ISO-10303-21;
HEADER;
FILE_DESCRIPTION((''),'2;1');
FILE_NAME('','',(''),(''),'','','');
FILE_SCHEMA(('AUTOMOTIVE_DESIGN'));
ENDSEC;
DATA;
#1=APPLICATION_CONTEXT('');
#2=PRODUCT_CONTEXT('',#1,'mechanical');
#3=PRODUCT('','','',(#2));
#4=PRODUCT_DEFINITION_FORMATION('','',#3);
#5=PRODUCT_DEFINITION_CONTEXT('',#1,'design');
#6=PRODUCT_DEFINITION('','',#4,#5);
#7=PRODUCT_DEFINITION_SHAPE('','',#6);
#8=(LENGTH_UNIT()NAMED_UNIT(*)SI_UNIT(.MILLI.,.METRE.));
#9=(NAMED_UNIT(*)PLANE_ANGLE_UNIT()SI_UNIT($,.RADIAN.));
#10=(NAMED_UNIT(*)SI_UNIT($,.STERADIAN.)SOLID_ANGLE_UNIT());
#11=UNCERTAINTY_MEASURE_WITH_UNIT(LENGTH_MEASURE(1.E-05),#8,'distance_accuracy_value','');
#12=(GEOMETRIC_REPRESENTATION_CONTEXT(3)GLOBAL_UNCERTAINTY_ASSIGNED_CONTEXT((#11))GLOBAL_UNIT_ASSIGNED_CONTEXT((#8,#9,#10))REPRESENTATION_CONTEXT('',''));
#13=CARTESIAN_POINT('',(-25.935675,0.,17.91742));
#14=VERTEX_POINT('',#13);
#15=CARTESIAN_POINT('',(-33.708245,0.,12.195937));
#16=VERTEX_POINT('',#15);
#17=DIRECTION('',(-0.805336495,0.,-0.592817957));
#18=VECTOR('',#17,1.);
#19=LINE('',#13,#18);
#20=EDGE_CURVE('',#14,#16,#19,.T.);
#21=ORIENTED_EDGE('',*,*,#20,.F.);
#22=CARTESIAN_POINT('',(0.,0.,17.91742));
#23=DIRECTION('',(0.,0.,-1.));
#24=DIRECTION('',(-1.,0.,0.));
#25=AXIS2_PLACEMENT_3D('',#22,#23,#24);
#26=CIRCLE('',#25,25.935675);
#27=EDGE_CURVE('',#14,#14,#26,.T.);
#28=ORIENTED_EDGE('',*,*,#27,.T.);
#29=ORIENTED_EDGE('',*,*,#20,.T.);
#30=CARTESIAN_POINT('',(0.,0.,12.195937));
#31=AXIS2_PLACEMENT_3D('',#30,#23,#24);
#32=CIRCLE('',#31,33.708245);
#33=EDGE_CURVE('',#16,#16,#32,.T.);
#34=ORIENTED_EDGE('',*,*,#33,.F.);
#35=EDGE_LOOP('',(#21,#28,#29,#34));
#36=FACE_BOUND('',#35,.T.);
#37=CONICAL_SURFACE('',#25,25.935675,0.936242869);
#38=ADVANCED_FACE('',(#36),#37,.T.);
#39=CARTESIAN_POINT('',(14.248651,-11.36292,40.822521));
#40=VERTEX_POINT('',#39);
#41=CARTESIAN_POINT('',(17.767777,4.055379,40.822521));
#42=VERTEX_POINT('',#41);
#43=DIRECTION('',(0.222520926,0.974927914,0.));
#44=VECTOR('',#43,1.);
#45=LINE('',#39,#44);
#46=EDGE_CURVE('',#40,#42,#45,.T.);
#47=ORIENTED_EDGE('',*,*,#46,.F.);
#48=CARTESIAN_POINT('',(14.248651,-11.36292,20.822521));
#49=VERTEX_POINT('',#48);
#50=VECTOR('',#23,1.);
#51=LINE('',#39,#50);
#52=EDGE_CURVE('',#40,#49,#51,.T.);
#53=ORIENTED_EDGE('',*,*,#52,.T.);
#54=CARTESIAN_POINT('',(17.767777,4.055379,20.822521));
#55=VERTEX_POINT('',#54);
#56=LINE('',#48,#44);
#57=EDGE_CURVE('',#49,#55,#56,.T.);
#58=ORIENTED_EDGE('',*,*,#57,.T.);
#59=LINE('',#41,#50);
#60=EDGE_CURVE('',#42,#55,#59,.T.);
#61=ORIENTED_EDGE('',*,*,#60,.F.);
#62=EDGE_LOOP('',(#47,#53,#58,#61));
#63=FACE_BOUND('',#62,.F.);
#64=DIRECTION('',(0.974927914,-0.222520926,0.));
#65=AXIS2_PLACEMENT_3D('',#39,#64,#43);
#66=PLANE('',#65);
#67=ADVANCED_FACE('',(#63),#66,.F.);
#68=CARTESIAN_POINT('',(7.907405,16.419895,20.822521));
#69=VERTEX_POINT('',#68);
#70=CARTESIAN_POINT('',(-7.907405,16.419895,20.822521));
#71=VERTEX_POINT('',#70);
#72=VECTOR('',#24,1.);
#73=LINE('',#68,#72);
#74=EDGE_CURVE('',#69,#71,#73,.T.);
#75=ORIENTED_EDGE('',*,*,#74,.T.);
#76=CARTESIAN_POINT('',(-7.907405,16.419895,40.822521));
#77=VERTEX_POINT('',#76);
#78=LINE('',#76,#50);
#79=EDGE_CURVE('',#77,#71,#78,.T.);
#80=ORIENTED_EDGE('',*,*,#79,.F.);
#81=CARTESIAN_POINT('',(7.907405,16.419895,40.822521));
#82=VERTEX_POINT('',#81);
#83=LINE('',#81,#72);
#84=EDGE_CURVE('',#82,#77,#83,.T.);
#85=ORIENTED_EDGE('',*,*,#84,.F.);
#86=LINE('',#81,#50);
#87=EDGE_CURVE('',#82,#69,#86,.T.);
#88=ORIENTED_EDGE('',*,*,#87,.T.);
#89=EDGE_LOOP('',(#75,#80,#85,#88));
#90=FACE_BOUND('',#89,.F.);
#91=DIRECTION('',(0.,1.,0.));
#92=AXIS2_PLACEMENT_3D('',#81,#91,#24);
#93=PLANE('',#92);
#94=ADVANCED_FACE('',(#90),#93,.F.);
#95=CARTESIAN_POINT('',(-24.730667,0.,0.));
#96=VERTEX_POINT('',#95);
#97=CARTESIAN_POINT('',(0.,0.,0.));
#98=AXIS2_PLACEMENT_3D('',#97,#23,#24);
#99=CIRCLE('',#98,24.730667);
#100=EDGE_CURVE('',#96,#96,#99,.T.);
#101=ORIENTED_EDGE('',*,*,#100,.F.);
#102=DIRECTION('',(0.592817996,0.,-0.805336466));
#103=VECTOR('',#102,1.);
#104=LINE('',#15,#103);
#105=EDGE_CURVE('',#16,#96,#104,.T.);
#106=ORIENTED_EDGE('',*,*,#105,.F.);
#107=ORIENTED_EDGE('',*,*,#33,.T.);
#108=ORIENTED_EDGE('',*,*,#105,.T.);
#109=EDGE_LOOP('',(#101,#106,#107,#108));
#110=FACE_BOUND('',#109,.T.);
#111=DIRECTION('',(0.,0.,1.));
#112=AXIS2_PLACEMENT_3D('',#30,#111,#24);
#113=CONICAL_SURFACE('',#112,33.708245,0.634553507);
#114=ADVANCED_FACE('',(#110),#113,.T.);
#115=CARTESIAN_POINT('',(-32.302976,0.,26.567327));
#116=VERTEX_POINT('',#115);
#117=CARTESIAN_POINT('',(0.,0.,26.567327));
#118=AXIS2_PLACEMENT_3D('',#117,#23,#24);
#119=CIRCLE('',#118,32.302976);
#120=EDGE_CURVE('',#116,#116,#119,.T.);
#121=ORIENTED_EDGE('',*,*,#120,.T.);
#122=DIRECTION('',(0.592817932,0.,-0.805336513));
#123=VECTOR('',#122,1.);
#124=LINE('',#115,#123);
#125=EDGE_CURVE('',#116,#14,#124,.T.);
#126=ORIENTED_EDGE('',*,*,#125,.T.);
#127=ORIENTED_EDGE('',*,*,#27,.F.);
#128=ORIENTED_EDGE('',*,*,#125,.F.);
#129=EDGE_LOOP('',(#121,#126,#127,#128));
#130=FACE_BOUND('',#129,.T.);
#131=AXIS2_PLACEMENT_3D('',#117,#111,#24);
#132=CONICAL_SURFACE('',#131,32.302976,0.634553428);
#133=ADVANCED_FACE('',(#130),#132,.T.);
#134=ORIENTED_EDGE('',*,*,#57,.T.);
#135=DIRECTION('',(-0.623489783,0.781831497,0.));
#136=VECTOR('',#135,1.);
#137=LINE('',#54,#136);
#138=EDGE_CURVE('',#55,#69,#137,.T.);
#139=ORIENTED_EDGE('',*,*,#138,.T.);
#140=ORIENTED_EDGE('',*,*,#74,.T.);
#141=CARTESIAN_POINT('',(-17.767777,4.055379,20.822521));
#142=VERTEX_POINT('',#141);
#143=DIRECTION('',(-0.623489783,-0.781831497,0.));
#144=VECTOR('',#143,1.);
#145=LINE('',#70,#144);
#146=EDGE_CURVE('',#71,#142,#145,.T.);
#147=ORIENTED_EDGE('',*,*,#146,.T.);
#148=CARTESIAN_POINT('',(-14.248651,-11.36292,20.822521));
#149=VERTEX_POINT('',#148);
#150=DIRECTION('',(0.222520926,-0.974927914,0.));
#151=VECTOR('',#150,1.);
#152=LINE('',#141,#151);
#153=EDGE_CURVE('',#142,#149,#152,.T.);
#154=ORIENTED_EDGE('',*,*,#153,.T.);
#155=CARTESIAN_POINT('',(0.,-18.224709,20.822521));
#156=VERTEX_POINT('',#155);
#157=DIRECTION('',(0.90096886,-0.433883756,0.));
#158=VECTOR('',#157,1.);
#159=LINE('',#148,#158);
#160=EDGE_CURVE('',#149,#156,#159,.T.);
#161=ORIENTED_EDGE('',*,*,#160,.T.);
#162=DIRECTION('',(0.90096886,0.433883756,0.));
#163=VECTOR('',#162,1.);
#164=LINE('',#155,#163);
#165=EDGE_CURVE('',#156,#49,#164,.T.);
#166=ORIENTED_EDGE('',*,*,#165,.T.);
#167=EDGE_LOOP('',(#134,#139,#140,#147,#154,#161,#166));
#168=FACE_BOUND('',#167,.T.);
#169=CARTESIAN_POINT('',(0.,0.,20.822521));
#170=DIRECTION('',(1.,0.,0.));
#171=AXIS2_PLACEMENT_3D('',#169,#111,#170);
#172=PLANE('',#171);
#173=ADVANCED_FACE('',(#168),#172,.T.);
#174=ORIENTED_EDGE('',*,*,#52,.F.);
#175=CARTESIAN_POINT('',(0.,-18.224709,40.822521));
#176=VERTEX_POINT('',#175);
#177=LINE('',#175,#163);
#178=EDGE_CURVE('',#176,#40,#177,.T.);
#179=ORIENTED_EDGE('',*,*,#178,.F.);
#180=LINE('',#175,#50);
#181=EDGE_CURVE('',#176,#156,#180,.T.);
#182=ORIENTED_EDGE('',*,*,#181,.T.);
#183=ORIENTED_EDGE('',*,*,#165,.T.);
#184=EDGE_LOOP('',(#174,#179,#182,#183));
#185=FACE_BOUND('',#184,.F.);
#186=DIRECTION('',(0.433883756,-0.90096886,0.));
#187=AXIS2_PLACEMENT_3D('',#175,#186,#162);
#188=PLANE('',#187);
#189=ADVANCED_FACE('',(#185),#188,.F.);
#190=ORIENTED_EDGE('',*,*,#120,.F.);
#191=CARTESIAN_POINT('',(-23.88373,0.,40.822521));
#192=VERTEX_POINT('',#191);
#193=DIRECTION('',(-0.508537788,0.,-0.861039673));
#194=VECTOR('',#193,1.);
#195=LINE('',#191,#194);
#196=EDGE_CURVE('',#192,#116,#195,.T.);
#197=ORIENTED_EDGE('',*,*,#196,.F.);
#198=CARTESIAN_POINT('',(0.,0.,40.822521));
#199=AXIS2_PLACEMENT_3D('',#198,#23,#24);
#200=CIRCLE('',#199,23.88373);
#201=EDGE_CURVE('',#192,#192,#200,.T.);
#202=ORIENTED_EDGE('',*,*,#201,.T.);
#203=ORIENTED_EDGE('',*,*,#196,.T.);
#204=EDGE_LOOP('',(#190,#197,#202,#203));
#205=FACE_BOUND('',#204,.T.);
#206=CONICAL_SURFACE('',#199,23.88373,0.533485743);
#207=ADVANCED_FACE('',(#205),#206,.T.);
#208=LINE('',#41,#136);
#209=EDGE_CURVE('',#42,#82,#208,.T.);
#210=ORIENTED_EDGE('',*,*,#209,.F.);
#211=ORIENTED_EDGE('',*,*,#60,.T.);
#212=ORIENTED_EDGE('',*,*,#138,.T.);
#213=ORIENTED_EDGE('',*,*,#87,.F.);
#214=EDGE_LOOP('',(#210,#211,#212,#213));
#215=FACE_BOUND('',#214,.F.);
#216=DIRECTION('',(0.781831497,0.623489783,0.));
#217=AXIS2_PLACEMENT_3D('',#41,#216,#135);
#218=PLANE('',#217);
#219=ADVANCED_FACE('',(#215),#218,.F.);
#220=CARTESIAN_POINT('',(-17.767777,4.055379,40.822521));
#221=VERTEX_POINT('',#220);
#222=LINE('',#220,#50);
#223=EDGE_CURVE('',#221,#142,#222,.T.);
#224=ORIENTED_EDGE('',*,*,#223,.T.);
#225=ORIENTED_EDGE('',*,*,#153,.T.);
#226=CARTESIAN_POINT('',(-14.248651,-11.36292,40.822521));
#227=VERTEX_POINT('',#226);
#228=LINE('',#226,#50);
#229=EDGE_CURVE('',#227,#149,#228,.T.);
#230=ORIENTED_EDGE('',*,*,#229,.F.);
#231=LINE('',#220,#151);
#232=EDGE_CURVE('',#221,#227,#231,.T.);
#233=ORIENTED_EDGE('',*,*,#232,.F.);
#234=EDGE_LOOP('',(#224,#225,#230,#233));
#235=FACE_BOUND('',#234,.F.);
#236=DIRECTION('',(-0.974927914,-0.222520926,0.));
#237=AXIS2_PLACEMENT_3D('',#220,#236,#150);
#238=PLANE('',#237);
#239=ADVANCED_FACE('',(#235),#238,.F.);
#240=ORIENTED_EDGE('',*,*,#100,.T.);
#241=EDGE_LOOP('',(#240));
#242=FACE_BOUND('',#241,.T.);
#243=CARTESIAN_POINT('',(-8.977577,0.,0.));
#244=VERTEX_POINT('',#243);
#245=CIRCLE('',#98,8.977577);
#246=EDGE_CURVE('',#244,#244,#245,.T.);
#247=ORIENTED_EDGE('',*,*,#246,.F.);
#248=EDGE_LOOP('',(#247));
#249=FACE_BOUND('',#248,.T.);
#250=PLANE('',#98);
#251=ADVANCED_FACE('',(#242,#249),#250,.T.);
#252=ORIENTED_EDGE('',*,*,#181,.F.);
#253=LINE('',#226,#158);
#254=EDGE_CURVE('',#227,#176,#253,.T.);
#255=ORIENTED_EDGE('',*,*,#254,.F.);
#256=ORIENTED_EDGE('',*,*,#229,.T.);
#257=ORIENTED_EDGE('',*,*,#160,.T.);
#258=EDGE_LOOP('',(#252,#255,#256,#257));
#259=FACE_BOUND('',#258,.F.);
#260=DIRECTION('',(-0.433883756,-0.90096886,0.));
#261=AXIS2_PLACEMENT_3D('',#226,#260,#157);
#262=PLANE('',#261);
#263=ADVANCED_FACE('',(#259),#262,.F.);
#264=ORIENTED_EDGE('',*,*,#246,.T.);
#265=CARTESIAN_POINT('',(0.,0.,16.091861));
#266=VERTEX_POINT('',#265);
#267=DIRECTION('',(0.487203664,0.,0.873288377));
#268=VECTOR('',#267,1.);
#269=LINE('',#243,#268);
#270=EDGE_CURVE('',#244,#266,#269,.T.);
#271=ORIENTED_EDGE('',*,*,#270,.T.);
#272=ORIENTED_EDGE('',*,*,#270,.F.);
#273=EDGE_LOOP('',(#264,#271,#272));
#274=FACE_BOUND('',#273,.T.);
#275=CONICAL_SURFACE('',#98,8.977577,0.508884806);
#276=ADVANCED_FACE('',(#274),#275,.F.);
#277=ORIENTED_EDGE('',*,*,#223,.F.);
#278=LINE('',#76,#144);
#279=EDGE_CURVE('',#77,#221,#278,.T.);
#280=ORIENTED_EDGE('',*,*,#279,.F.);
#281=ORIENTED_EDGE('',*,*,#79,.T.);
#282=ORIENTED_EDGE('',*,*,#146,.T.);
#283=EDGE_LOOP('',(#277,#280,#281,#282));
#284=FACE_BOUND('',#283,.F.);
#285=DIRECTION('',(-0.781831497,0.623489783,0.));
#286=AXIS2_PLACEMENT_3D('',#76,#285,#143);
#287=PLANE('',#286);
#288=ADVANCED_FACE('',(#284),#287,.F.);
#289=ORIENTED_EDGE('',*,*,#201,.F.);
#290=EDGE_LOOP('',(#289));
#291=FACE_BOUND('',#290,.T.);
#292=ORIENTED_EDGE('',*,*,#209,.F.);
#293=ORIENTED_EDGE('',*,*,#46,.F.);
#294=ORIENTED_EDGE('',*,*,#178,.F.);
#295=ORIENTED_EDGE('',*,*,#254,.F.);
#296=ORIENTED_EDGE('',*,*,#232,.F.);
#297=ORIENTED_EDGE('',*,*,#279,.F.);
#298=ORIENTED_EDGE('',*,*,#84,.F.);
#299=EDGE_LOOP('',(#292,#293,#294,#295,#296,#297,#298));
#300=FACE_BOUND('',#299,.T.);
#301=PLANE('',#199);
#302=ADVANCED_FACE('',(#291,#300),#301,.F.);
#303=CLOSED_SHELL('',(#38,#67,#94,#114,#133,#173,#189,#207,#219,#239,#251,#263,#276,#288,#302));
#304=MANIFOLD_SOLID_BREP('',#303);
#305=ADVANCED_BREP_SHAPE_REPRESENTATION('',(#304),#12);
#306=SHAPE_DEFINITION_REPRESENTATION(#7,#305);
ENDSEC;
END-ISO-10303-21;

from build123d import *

# Parameters (mm, degrees)
F3_DEPTH = 20


with BuildPart() as f1:
    # F0 (on Front) → F1 (revolve)
    with BuildSketch(Plane.XZ):
        Polygon((-8.977577, 0), (0, 16.091861), (0, 40.822521), (-23.88373, 40.822521), (-32.302976, 26.567327), (-25.935675, 17.91742), (-33.708245, 12.195937), (-24.730667, 0), align=None)
    revolve(axis=Axis((0, 0, 28.457191), (0, 0, -1)))

    # F2 (on face) → F3 (cut)
    with BuildSketch(Plane.XY.offset(40.822521)):
        Polygon((7.907405, 16.419895), (-7.907405, 16.419895), (-17.767777, 4.055379), (-14.248651, -11.36292), (0, -18.224709), (14.248651, -11.36292), (17.767777, 4.055379), align=None)
    extrude(amount=-F3_DEPTH, mode=Mode.SUBTRACT)


solid = f1.part
